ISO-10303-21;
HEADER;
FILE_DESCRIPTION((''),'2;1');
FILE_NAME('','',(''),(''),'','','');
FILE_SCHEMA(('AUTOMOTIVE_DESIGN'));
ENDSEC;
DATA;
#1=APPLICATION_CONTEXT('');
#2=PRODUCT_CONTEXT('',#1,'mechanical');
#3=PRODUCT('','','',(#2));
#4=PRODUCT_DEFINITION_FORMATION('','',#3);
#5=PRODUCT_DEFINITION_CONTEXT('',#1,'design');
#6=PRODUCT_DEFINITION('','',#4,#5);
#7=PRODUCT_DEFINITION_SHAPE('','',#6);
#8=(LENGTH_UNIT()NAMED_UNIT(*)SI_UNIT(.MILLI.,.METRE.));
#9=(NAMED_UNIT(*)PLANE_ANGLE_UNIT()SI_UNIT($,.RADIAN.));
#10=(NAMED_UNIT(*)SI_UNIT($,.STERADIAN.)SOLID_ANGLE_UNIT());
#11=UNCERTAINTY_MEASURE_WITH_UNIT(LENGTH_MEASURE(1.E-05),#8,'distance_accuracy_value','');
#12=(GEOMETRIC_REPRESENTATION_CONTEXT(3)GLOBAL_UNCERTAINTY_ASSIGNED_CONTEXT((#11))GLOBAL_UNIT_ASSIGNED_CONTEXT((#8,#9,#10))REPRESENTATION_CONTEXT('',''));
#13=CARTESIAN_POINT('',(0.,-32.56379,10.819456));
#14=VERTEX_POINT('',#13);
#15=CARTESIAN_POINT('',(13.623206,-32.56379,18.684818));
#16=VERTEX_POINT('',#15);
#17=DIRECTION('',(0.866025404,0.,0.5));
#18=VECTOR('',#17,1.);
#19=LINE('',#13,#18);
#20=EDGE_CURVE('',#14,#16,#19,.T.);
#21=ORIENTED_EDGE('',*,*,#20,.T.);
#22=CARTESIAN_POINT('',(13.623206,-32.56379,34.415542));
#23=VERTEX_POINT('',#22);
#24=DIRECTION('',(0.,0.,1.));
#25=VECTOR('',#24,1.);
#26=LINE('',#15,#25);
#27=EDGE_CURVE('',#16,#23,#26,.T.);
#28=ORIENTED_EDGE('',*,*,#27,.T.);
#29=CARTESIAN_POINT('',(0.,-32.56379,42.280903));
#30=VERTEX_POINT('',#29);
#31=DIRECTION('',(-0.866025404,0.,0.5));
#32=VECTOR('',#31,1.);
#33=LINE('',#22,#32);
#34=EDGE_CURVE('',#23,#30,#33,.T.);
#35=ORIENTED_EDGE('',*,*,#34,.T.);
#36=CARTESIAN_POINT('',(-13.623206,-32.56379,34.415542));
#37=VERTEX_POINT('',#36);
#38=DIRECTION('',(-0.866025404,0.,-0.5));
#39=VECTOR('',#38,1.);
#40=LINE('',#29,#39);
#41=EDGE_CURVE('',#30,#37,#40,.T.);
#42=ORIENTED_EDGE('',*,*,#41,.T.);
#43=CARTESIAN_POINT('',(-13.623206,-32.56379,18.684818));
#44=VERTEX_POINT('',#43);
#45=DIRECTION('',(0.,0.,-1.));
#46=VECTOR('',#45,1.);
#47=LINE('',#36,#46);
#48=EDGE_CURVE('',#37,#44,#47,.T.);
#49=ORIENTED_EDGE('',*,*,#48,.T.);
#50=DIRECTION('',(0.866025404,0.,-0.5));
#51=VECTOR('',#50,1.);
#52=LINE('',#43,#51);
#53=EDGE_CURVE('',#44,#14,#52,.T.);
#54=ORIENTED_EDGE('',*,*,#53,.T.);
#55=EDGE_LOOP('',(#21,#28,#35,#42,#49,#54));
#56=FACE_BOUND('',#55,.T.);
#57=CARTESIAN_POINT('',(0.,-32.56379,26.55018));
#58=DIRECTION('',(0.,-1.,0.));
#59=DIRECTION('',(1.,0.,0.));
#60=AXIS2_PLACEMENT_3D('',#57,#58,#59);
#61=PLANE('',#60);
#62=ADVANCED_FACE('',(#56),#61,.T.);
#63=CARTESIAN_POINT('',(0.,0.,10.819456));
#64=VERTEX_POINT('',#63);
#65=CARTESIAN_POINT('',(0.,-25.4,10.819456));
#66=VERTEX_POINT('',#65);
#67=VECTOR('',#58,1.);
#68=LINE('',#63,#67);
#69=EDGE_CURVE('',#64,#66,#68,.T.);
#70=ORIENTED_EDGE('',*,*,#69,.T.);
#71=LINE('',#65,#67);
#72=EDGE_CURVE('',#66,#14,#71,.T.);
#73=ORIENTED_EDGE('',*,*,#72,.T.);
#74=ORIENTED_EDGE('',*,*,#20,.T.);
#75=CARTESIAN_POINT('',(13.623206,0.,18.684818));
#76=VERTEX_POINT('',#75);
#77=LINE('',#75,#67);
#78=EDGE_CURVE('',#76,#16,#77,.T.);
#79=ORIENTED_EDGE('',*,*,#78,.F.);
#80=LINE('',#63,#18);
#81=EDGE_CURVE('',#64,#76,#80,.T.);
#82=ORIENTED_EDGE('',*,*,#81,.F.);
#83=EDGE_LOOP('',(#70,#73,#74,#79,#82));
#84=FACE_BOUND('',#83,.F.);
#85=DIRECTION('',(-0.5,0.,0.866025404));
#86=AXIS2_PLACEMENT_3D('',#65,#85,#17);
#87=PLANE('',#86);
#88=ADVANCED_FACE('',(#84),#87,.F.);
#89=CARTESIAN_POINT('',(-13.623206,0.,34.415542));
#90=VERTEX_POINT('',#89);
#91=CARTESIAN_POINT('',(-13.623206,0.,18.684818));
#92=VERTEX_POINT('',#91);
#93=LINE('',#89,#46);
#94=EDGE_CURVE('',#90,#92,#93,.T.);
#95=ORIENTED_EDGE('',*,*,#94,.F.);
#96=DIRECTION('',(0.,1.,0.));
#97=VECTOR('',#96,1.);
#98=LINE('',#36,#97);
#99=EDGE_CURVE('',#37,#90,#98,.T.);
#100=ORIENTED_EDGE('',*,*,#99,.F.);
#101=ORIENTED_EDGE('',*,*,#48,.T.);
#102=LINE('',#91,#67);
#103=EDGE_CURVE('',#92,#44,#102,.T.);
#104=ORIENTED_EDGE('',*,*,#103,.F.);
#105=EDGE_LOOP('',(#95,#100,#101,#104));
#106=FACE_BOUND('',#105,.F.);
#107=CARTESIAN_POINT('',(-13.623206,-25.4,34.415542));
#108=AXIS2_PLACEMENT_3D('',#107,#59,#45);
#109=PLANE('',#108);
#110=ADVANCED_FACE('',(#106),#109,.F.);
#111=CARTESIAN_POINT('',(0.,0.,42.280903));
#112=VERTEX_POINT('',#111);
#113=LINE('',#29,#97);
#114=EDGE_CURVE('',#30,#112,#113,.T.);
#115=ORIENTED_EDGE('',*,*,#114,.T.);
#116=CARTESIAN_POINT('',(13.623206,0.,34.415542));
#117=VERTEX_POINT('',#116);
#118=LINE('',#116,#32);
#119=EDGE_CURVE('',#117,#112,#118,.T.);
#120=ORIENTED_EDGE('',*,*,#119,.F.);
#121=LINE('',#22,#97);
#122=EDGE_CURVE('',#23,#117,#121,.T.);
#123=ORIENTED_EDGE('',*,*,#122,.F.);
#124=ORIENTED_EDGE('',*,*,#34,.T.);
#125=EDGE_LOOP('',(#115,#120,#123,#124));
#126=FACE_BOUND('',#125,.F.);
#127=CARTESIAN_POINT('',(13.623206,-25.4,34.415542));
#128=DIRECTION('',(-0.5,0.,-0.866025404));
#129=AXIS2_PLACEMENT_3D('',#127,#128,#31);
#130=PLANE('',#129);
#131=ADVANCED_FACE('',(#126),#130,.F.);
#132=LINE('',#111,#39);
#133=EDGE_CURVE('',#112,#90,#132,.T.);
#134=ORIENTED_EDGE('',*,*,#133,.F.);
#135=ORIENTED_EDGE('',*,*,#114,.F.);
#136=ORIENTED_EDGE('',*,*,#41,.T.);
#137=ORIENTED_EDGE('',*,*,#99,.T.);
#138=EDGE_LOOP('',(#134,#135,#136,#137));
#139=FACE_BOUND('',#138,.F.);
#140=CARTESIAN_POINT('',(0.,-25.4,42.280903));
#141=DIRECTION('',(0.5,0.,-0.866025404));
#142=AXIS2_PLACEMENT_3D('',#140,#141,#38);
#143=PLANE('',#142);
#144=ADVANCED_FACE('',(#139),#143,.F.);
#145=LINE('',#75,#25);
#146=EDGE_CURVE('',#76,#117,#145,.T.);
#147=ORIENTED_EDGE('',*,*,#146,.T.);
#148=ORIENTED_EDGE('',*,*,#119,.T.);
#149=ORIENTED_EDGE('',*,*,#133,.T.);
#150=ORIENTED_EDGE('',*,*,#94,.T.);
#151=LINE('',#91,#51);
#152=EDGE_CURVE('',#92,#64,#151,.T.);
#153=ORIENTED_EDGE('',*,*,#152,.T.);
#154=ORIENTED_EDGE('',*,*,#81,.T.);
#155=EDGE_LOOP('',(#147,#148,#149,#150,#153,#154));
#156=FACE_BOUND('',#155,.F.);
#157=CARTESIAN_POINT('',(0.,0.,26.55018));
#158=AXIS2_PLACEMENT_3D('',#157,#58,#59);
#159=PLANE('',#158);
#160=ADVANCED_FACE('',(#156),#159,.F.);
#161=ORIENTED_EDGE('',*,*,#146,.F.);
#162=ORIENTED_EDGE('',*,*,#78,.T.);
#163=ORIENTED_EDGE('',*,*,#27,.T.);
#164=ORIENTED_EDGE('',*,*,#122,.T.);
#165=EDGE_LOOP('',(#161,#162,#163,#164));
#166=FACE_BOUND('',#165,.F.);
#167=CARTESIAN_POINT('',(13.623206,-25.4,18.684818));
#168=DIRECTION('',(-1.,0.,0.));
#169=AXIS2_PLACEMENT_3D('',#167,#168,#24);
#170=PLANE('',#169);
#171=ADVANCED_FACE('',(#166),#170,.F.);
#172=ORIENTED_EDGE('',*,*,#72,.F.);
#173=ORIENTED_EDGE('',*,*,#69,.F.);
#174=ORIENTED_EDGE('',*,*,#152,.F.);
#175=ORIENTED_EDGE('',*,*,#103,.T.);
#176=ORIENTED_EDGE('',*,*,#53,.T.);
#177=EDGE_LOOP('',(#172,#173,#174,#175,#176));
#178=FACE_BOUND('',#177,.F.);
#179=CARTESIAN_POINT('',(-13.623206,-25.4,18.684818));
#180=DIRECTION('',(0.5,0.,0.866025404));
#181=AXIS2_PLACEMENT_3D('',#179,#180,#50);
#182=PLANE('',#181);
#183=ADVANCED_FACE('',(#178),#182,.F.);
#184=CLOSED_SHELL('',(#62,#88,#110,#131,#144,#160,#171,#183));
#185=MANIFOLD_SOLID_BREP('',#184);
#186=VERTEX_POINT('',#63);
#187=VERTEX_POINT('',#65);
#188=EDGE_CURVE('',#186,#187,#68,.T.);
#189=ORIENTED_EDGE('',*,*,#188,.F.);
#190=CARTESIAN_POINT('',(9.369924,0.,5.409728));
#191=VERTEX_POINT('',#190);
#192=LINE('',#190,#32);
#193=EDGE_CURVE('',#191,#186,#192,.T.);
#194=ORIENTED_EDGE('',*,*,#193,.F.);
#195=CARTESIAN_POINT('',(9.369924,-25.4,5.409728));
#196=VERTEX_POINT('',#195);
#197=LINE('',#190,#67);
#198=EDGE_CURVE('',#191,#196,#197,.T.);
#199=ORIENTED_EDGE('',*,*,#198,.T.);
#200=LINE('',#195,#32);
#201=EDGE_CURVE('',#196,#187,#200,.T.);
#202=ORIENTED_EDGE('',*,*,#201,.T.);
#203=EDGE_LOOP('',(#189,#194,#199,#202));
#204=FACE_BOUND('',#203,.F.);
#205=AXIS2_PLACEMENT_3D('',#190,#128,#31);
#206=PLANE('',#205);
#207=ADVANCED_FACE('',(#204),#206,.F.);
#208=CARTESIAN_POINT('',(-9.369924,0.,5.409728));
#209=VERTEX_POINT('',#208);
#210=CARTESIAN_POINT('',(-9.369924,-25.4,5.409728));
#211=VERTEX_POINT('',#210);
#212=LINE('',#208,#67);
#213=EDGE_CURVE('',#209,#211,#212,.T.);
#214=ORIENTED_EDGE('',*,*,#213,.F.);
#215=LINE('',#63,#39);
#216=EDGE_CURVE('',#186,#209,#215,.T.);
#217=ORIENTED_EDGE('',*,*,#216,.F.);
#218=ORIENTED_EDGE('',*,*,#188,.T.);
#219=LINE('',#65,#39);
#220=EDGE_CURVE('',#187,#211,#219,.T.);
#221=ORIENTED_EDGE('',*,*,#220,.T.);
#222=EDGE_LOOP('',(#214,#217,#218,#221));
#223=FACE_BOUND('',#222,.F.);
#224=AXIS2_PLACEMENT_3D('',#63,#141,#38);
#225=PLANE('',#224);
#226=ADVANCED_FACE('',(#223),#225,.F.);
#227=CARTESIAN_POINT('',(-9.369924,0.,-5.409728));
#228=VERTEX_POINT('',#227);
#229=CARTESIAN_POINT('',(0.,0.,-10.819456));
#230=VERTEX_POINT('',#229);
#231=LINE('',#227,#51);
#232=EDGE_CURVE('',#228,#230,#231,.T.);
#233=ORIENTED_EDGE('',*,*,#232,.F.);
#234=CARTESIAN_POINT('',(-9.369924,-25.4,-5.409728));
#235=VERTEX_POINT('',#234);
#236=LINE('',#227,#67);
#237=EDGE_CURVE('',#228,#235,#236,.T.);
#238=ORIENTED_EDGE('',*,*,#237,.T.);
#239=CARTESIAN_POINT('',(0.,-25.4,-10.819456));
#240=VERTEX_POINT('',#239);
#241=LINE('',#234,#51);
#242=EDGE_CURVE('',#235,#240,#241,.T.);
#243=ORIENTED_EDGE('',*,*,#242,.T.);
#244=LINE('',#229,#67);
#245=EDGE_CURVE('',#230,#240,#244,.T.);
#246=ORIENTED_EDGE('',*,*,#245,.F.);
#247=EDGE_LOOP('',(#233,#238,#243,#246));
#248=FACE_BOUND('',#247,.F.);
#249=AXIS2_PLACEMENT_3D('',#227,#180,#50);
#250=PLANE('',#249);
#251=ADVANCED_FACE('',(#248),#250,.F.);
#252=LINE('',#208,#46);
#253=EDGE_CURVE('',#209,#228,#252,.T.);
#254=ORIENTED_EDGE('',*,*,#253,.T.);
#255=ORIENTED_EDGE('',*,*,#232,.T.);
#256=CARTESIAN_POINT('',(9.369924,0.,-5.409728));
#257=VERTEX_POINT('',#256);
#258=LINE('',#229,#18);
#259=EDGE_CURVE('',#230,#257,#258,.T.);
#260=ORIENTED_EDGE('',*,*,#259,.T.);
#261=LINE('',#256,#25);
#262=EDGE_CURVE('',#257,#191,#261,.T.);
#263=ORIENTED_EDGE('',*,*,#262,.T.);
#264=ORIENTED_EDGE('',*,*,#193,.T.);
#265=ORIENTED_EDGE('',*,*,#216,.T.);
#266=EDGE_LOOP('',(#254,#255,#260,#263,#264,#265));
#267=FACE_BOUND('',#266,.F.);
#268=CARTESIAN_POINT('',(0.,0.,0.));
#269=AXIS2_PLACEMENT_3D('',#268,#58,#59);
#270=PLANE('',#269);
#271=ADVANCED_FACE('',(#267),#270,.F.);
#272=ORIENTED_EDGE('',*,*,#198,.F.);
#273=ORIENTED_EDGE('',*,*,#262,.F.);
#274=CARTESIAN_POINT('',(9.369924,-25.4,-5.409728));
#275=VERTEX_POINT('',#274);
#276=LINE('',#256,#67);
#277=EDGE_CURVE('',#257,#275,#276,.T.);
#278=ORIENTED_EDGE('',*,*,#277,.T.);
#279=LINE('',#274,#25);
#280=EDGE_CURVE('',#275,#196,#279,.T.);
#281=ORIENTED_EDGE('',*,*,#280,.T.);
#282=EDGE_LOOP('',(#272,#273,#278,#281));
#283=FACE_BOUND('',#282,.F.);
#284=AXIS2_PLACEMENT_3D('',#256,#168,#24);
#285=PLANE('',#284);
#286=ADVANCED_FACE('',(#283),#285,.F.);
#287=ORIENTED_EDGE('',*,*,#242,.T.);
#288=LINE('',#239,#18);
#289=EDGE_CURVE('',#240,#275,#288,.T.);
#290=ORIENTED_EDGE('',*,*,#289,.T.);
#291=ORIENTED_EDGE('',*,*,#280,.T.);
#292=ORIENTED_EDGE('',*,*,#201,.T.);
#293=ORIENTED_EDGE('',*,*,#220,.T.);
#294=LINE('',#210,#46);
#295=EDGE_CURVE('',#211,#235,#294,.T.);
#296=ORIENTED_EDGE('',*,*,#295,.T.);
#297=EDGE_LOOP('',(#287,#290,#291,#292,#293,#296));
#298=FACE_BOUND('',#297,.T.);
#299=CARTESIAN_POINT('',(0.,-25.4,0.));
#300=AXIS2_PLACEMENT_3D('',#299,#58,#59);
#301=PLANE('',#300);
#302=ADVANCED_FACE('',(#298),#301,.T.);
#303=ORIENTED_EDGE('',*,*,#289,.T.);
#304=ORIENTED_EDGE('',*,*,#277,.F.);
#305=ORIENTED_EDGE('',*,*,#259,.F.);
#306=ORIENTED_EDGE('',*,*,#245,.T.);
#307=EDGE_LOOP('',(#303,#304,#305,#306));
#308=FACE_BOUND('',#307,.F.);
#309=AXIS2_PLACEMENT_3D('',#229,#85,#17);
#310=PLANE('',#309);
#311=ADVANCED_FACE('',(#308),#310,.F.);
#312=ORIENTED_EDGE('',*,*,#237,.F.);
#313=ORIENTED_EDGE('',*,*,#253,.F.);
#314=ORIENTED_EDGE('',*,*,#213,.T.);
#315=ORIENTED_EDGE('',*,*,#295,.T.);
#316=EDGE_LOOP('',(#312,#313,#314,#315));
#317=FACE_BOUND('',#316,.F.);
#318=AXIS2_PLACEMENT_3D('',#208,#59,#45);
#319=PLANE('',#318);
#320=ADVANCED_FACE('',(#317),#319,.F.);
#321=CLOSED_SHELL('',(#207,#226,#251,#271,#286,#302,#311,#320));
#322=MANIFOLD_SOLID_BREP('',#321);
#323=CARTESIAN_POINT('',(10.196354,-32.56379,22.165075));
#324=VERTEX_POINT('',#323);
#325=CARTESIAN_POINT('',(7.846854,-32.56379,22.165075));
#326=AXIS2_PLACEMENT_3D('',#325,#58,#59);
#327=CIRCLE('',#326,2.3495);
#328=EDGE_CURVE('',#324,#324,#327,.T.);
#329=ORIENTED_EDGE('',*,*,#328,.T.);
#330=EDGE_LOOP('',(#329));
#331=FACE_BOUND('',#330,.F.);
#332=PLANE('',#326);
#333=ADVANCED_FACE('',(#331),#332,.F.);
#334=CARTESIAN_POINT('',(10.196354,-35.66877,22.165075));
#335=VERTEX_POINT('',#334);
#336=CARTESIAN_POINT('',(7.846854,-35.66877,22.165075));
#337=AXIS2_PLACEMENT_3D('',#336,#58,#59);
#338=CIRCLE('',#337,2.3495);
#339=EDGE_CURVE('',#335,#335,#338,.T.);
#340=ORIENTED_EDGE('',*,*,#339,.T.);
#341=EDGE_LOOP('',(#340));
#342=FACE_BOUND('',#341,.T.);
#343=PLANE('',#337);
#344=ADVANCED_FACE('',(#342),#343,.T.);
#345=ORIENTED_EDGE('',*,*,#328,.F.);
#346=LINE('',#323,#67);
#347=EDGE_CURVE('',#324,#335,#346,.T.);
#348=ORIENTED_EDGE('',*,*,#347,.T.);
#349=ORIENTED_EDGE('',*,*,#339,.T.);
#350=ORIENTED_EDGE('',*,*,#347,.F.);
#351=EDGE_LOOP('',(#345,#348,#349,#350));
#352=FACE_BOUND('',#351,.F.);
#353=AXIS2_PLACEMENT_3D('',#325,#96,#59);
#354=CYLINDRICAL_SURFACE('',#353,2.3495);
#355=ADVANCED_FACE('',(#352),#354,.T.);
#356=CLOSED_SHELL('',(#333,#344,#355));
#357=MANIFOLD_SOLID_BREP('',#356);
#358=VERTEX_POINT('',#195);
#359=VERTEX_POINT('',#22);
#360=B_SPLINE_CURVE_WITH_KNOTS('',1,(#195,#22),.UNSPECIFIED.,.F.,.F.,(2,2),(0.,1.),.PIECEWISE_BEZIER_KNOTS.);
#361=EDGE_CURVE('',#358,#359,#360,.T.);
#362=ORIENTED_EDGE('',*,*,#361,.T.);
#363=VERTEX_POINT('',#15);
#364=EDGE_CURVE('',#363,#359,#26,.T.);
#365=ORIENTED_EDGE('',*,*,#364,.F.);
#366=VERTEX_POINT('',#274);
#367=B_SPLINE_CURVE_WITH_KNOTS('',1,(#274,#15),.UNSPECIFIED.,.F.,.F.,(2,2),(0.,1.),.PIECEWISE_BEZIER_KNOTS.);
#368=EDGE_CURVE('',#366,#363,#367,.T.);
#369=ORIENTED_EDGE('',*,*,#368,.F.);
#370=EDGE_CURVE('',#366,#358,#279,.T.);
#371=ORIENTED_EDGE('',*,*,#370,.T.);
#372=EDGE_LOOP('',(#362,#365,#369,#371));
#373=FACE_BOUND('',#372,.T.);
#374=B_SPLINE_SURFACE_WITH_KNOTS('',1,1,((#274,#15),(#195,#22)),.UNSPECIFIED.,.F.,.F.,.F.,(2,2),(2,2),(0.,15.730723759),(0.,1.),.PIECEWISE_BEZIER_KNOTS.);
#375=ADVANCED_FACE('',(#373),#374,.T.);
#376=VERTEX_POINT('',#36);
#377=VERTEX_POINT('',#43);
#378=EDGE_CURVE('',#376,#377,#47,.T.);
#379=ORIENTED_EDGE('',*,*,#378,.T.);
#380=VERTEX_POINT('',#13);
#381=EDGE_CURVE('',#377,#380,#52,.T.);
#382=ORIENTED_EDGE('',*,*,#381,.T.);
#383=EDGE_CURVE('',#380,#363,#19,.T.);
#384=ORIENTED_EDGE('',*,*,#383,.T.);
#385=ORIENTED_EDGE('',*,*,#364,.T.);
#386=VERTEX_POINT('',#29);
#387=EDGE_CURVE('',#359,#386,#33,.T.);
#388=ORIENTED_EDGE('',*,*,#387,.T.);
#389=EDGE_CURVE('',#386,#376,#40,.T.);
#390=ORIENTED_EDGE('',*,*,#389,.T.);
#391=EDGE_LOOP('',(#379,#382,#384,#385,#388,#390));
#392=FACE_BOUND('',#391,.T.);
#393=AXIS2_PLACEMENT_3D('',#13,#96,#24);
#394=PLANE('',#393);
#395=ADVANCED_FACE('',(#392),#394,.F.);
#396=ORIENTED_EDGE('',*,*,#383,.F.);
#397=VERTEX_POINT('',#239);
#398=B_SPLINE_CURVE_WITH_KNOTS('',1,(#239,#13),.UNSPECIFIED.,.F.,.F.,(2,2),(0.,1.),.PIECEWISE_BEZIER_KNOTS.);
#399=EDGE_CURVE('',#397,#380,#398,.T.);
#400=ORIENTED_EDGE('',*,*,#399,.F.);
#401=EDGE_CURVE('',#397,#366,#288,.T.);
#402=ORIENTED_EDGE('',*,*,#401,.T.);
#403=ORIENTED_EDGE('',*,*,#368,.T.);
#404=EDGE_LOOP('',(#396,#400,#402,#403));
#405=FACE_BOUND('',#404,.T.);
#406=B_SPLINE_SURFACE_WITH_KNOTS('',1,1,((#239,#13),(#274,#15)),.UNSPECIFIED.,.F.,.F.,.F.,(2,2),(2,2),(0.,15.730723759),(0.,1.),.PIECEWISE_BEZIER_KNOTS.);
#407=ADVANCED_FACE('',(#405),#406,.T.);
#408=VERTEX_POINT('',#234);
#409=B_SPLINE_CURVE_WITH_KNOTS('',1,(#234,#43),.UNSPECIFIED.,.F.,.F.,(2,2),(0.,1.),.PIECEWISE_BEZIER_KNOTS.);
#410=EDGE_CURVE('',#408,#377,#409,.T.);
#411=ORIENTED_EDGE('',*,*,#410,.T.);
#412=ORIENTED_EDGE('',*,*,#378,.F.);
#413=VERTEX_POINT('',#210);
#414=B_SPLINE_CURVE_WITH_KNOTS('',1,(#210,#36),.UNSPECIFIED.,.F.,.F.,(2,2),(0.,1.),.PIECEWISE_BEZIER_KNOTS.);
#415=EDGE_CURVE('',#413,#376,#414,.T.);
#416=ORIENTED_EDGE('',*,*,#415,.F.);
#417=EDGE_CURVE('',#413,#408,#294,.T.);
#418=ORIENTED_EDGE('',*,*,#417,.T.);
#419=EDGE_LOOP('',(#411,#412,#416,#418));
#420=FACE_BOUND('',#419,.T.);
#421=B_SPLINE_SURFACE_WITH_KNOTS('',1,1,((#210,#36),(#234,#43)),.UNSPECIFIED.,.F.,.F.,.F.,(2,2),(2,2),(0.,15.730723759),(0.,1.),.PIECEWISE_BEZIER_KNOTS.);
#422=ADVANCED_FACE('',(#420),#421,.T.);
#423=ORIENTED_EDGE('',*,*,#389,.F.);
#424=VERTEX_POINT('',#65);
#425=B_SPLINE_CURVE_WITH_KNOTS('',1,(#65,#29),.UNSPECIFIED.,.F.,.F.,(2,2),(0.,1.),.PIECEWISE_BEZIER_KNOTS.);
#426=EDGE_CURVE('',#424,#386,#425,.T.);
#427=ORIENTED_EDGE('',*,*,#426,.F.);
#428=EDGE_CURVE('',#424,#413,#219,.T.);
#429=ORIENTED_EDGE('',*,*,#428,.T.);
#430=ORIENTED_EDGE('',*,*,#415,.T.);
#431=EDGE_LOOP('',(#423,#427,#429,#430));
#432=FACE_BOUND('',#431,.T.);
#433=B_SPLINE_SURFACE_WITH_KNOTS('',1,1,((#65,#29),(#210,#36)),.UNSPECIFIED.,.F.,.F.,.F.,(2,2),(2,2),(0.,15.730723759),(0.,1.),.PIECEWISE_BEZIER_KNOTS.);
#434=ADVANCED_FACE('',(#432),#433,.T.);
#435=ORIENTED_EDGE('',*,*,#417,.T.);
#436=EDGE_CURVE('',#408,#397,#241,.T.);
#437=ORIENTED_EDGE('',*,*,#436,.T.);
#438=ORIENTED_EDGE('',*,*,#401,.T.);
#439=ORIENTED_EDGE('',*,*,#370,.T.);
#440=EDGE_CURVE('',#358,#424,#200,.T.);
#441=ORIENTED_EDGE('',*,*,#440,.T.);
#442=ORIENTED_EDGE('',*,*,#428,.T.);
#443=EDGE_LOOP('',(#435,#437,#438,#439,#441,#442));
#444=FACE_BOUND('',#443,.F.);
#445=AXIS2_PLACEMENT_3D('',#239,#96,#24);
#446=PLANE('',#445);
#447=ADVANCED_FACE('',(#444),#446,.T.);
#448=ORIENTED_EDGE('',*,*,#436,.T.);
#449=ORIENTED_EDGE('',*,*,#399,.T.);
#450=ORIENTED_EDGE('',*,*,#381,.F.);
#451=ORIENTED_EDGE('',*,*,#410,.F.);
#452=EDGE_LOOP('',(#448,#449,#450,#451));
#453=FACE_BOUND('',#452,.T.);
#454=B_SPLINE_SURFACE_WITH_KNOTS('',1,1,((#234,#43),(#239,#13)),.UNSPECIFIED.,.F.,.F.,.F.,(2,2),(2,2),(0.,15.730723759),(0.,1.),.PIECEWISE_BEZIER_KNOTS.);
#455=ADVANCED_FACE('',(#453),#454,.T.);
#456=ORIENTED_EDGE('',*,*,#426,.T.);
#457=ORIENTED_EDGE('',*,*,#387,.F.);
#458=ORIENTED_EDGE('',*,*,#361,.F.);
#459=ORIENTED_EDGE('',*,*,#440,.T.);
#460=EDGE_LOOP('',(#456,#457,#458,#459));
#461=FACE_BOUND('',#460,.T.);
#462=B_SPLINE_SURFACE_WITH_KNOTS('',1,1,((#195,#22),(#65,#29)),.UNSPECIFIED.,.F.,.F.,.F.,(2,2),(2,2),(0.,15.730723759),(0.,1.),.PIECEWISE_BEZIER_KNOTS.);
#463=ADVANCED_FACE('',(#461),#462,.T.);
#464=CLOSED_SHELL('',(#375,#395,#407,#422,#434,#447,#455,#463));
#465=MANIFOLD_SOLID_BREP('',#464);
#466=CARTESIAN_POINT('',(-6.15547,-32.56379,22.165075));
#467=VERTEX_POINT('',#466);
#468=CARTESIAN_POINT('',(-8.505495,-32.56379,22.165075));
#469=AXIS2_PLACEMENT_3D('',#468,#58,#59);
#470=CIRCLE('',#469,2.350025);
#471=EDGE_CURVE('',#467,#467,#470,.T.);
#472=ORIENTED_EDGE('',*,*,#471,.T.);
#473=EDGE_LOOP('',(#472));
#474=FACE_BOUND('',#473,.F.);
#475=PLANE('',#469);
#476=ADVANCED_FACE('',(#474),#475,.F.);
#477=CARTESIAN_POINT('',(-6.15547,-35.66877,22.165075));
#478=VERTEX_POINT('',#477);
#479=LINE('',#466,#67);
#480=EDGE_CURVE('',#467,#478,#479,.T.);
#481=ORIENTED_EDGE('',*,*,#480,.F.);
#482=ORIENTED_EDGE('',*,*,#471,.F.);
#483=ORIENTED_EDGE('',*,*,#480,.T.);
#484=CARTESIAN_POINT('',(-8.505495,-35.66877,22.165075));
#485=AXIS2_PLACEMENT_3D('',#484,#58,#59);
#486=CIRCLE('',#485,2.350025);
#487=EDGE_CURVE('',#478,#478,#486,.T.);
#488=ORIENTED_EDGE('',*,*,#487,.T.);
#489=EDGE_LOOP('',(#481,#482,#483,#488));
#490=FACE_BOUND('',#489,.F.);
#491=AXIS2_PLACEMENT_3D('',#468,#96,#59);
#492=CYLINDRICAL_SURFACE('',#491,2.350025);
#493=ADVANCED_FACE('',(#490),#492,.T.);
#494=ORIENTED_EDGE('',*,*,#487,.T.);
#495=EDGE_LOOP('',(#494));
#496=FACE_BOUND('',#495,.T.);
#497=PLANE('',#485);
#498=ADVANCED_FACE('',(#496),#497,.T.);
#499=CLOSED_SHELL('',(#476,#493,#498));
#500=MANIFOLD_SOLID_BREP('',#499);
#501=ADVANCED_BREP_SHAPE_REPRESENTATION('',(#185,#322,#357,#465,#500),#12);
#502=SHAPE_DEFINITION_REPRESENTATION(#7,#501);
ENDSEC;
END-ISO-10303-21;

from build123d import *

# Parameters (mm, degrees)
F1_DEPTH = 25.4
F3_DEPTH = 7.16379
F5_R     = 2.3500248861
F6_DEPTH = 3.10498
F5_R_2   = 2.3495


with BuildPart() as f1:
    # F0 (on Front) → F1 (new body)
    with BuildSketch(Plane.XZ):
        Polygon((-13.623206395, 18.6848178587), (0, 10.8194559793), (13.623206395, 18.6848178587), (13.623206395, 34.4155416175), (0, 42.2809034969), (-13.623206395, 34.4155416175), align=None)
    extrude(amount=F1_DEPTH)



with BuildPart() as f1b:
    # F0 (on Front) → F1, piece 2 (new body)
    with BuildSketch(Plane.XZ):
        Polygon((9.3699237332, -5.4097279896), (9.3699237332, 5.4097279896), (0, 10.8194559793), (-9.3699237332, 5.4097279896), (-9.3699237332, -5.4097279896), (0, -10.8194559793), align=None)
    extrude(amount=F1_DEPTH)


with BuildPart() as f1_1:
    add(f1.part)

    add(f1b.part)  # F3 merges F1b
    # F2 (on face) → F3 (join)
    with BuildSketch(Plane.XZ.offset(25.4)):
        Polygon((-13.623206395, 34.4155416175), (-13.623206395, 18.6848178587), (0, 10.8194559793), (13.623206395, 18.6848178587), (13.623206395, 34.4155416175), (0, 42.2809034969), align=None)
    extrude(amount=F3_DEPTH)


with BuildPart() as f4:
    # F1_face (on face) → F4 section 0
    with BuildSketch(Plane(origin=(0, -25.4, 26.5501797381), x_dir=(1, 0, 0), z_dir=(0, -1, 0))):
        Polygon((0, -37.3696357173), (9.3699237332, -31.9599077277), (9.3699237332, -21.1404517484), (0, -15.7307237588), (-9.3699237332, -21.1404517484), (-9.3699237332, -31.9599077277), align=None)
    # F3_face (on face) → F4 section 1
    with BuildSketch(Plane(origin=(0, -32.56379, 26.5501797381), x_dir=(1, 0, 0), z_dir=(0, -1, 0))):
        Polygon((-13.623206395, 7.8653618794), (-13.623206395, -7.8653618794), (0, -15.7307237588), (13.623206395, -7.8653618794), (13.623206395, 7.8653618794), (0, 15.7307237588), align=None)
    loft()


with BuildPart() as f6:
    # F5 (on face) → F6 (new body)
    with BuildSketch(Plane.XZ.offset(32.56379)):
        with Locations((-8.5054952651, 22.1650754418)):
            Circle(F5_R)
    extrude(amount=F6_DEPTH)


with BuildPart() as f6b:
    # F5 (on face) → F6, piece 2 (new body)
    with BuildSketch(Plane.XZ.offset(32.56379)):
        with Locations((7.8468539937, 22.1650754418)):
            Circle(F5_R_2)
    extrude(amount=F6_DEPTH)


solid = Compound([f1_1.part, f4.part, f6.part, f6b.part])
